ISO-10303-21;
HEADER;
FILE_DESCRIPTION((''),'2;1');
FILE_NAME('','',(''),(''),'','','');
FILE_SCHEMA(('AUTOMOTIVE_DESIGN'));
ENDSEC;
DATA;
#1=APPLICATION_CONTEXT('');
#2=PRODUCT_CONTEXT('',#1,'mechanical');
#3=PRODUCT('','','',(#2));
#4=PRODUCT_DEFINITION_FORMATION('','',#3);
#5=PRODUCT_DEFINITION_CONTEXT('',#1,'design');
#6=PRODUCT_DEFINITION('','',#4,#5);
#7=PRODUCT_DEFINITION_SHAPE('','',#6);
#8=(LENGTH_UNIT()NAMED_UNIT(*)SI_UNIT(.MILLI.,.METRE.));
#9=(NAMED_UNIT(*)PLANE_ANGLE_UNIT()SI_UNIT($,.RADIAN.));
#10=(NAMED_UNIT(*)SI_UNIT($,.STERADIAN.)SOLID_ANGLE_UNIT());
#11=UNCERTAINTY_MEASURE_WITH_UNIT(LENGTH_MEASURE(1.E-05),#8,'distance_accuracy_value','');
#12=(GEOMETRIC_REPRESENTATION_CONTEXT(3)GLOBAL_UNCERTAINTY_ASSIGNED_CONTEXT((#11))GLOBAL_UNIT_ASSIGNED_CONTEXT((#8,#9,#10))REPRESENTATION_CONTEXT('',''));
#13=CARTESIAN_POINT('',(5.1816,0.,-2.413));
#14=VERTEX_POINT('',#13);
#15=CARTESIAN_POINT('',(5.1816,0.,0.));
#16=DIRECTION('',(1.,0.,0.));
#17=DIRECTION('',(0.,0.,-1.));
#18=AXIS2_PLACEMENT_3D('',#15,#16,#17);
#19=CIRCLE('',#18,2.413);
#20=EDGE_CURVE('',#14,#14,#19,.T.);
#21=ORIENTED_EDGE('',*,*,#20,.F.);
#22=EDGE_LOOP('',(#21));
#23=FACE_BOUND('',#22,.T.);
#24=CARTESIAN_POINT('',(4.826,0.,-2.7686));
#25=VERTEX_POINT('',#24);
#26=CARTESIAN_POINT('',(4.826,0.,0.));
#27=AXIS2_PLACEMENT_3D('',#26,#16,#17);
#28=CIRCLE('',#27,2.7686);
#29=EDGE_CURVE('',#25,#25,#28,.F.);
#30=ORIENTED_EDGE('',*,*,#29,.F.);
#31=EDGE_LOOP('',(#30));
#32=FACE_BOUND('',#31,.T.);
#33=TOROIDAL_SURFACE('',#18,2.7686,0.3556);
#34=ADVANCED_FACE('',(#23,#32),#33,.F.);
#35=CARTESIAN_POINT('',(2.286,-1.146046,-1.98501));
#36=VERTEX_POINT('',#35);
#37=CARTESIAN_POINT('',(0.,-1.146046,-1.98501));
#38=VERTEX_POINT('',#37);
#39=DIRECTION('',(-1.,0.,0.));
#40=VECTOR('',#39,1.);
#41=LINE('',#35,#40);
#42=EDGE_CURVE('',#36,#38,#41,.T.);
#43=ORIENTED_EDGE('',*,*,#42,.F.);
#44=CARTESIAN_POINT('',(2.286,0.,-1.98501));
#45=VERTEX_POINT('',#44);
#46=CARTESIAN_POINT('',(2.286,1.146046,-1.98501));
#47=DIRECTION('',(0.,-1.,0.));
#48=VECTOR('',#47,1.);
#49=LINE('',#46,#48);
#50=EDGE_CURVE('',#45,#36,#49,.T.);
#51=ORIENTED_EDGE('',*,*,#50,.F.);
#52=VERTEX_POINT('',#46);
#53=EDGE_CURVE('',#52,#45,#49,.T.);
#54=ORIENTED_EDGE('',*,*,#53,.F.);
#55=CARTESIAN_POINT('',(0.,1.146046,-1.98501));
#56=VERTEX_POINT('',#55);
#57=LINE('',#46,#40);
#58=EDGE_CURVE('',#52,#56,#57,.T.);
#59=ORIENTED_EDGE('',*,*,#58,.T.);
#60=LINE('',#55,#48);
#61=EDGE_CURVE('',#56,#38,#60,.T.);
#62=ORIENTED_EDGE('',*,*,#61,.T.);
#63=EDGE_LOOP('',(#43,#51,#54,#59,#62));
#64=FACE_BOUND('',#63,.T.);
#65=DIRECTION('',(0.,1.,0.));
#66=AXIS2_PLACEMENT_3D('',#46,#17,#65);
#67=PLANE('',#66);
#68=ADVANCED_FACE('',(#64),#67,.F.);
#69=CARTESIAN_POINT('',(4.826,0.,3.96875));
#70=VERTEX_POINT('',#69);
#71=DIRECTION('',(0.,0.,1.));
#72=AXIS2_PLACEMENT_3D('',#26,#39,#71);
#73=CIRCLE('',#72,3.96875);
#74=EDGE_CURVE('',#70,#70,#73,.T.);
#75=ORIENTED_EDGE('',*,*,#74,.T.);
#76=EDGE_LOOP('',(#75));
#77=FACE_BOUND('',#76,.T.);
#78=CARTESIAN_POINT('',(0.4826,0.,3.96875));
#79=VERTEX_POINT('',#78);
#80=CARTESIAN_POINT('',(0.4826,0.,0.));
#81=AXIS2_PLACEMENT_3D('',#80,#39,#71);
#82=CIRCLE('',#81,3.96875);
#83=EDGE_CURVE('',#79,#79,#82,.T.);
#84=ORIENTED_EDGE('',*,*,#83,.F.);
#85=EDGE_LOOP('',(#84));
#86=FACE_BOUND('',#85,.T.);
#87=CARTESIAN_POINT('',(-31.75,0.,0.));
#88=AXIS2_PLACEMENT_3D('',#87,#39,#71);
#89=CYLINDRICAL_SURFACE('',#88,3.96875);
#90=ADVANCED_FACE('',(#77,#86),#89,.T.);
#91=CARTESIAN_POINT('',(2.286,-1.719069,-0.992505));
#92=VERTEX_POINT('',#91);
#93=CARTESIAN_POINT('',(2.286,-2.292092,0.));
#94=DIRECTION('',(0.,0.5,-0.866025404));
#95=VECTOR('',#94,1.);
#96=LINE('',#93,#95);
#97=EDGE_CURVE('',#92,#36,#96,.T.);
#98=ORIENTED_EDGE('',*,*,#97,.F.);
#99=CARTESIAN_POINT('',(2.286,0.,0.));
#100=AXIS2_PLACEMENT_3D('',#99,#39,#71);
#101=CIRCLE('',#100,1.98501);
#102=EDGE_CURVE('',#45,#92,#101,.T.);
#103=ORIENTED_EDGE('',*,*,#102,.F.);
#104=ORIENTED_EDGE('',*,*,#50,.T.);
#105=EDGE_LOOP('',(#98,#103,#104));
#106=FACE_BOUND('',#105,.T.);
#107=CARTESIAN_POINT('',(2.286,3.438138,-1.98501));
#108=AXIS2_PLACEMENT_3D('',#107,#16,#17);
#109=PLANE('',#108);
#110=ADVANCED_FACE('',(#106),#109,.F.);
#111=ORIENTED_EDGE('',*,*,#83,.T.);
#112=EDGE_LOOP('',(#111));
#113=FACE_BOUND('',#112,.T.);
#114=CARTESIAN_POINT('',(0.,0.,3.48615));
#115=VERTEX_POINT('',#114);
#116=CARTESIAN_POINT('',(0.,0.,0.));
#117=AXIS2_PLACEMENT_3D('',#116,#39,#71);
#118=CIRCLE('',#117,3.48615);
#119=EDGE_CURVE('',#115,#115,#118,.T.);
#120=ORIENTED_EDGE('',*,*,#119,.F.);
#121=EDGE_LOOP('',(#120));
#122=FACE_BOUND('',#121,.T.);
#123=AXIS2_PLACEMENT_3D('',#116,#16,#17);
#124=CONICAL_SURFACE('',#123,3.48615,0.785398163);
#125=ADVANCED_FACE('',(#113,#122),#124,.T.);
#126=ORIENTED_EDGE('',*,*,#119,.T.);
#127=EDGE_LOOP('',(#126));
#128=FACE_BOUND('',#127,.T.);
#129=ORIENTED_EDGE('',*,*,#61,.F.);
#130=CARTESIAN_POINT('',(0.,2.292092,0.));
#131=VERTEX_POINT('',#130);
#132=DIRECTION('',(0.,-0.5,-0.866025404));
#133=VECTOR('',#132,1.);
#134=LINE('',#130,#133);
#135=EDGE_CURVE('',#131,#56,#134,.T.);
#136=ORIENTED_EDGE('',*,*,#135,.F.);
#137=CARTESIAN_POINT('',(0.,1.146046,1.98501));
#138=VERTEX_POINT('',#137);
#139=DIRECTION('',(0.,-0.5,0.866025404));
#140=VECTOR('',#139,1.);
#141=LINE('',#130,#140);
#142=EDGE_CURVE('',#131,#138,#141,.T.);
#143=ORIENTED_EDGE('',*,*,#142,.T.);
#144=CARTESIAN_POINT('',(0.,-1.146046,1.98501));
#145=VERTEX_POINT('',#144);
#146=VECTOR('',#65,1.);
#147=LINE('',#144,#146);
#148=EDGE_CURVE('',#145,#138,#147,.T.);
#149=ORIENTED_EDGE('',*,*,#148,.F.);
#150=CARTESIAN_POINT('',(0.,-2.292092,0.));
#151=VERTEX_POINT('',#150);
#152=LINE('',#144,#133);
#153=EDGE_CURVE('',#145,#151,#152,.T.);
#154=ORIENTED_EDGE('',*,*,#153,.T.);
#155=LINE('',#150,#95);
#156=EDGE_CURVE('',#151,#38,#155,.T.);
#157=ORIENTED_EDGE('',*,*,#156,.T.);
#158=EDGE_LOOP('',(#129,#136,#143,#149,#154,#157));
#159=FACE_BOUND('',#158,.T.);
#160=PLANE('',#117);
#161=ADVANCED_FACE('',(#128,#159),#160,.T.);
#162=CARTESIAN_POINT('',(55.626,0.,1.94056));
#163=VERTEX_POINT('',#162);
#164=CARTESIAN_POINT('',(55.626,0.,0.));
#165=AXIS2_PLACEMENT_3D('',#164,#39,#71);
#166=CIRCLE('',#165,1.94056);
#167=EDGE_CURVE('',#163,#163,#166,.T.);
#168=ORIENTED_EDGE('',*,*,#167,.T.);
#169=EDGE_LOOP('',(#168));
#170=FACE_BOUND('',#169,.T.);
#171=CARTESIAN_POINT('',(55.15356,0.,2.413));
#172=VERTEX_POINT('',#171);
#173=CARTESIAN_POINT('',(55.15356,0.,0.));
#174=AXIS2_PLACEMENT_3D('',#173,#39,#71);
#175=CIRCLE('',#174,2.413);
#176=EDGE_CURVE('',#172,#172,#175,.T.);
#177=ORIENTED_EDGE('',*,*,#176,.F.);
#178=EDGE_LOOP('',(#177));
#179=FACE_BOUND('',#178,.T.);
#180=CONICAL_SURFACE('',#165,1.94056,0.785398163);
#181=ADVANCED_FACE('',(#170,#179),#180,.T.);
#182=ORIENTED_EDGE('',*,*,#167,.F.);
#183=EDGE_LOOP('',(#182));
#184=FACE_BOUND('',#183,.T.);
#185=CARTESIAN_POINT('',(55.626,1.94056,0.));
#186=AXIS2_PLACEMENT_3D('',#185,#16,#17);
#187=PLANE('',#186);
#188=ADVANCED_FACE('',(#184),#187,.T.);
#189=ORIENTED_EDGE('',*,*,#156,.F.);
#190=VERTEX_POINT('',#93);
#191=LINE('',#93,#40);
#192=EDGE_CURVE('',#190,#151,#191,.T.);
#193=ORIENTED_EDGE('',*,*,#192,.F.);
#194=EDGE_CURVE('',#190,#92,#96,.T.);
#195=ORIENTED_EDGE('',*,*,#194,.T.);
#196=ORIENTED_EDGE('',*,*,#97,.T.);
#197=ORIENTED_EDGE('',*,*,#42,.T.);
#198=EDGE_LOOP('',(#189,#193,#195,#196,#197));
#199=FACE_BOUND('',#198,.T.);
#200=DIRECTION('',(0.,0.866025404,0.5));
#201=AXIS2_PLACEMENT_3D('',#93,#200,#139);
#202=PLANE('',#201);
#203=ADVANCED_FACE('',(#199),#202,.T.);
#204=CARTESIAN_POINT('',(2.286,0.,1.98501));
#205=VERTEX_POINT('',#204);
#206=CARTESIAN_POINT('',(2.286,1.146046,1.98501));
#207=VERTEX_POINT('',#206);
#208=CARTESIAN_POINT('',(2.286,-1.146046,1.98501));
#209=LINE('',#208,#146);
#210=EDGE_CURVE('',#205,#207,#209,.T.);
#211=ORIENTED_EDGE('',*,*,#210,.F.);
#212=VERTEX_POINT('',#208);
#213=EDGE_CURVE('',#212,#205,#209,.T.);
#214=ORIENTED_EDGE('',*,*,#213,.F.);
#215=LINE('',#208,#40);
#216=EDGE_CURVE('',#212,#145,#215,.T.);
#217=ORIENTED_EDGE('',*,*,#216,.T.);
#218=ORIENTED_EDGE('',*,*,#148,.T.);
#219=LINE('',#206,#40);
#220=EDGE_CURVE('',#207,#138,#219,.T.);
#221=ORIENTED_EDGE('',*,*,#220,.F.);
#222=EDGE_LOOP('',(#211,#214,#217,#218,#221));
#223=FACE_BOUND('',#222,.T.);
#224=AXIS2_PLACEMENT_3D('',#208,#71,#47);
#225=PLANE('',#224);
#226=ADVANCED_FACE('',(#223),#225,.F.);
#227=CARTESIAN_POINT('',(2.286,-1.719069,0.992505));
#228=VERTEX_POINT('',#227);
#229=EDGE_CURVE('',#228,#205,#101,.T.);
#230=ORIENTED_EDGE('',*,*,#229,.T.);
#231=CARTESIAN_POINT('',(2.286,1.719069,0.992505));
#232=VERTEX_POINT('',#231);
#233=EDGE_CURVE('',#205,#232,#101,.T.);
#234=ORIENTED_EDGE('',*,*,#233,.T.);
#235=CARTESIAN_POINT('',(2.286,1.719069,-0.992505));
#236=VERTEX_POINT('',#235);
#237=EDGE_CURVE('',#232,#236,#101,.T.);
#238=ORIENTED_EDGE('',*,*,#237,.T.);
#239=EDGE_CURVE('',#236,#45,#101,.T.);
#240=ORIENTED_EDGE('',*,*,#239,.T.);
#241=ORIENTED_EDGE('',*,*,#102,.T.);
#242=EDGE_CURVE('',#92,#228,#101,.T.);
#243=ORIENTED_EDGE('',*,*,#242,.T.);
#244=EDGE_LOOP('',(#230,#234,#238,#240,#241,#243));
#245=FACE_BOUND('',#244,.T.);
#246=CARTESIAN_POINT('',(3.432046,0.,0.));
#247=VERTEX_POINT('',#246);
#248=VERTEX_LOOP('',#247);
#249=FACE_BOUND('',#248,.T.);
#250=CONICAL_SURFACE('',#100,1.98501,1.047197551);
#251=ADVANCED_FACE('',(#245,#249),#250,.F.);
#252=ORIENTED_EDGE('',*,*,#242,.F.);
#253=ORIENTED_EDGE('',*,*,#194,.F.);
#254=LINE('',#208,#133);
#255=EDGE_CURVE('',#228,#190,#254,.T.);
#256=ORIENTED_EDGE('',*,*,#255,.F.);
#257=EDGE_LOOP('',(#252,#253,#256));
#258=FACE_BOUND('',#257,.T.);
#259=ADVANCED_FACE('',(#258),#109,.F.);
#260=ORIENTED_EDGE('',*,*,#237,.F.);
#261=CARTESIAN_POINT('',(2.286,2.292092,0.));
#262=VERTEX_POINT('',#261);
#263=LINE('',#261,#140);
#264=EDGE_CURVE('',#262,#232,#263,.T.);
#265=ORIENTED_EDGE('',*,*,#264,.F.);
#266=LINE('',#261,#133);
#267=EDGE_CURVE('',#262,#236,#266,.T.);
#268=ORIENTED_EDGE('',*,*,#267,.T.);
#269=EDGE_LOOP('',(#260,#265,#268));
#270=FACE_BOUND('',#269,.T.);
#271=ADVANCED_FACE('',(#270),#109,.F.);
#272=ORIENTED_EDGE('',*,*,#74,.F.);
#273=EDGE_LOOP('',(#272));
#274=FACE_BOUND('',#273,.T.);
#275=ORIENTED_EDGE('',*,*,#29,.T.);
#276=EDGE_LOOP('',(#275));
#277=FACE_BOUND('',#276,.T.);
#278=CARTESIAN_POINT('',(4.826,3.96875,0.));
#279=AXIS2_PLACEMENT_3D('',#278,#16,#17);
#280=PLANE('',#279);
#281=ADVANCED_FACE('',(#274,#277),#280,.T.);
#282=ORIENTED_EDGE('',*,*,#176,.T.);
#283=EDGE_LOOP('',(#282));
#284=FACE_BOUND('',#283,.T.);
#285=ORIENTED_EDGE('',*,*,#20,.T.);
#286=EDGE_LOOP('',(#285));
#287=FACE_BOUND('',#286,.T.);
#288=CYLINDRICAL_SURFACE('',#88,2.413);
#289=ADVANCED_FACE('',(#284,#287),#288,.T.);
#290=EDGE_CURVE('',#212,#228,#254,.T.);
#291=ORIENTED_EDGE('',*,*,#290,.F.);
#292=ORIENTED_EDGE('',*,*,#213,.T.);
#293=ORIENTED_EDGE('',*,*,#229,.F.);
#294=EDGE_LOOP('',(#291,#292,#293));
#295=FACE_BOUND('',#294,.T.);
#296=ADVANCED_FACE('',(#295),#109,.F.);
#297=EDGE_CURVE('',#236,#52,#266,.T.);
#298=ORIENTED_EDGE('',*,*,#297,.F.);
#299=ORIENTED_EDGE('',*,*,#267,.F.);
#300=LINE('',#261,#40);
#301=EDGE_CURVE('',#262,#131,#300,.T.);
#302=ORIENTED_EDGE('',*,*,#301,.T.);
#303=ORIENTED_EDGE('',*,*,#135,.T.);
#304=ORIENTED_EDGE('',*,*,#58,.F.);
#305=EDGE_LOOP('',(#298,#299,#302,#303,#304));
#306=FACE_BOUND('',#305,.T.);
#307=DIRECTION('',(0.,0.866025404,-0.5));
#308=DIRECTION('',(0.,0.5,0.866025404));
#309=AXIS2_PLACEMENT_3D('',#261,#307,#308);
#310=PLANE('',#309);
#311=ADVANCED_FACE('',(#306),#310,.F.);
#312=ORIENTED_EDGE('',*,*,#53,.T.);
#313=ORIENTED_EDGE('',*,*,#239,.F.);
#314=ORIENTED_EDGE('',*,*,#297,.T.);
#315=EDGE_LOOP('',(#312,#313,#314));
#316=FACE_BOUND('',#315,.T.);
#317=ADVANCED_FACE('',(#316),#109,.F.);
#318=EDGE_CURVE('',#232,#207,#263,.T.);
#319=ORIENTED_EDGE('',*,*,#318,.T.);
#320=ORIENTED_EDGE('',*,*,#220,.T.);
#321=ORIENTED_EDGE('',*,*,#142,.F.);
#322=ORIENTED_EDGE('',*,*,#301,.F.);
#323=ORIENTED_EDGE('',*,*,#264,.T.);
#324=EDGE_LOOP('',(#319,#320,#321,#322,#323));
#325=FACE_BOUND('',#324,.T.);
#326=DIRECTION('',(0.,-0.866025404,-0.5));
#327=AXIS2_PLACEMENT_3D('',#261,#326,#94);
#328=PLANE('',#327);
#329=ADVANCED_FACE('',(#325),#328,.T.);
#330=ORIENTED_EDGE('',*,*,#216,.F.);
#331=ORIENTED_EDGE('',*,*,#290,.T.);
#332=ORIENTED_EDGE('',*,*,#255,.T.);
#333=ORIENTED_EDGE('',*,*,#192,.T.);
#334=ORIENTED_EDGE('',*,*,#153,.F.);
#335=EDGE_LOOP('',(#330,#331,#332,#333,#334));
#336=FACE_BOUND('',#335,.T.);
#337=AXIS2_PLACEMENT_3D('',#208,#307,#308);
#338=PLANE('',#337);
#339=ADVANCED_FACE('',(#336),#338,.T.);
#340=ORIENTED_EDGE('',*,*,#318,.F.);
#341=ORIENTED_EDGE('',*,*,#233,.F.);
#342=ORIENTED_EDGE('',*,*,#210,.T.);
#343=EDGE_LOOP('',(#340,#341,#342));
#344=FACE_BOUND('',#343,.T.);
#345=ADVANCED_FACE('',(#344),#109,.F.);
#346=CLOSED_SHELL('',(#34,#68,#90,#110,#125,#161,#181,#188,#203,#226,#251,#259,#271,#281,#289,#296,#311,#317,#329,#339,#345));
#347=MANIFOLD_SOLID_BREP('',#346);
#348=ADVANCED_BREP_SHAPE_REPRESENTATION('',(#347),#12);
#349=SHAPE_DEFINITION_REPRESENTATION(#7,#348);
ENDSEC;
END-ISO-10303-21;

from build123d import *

# Parameters (mm, degrees)
FILLET1_R   = 0.3556
HEX_2_DEPTH = 2.286


with BuildPart() as part:
    # BodySke → Base-Revolve (revolve)
    with BuildSketch(Plane.XY):
        Polygon((0, 0), (0, 3.48615), (0.4826, 3.96875), (4.826, 3.96875), (4.826, 2.413), (55.15356, 2.413), (55.626, 1.94056), (55.626, 0), align=None)
    revolve(axis=Axis((-31.75, 0, 0), (1, 0, 0)))

    # Fillet1
    fillet1_edges = [part.edges().sort_by_distance(p)[0] for p in [
        (4.826, -2.413, 0),
    ]]
    fillet(fillet1_edges, radius=FILLET1_R)

    # Sketch2 → Hex-PreBroach (revolve, cut)
    with BuildSketch(Plane.XY):
        Polygon((0, 1.98501), (2.286, 1.98501), (3.432046058, 0), (0, 0), align=None)
    revolve(axis=Axis((0, 0, 0), (1, 0, 0)), mode=Mode.SUBTRACT)

    # Sketch3 → Hex 2 (cut)
    with BuildSketch(Plane(origin=(0, 0, 0), x_dir=(0, 0.5, 0.866025404), z_dir=(-1, 0, 0))):
        Polygon((1.146046058, 1.98501), (-1.146046058, 1.98501), (-2.292092116, 0), (-1.146046058, -1.98501), (1.146046058, -1.98501), (2.292092116, 0), align=None)
    extrude(amount=-HEX_2_DEPTH, mode=Mode.SUBTRACT)


solid = part.part
